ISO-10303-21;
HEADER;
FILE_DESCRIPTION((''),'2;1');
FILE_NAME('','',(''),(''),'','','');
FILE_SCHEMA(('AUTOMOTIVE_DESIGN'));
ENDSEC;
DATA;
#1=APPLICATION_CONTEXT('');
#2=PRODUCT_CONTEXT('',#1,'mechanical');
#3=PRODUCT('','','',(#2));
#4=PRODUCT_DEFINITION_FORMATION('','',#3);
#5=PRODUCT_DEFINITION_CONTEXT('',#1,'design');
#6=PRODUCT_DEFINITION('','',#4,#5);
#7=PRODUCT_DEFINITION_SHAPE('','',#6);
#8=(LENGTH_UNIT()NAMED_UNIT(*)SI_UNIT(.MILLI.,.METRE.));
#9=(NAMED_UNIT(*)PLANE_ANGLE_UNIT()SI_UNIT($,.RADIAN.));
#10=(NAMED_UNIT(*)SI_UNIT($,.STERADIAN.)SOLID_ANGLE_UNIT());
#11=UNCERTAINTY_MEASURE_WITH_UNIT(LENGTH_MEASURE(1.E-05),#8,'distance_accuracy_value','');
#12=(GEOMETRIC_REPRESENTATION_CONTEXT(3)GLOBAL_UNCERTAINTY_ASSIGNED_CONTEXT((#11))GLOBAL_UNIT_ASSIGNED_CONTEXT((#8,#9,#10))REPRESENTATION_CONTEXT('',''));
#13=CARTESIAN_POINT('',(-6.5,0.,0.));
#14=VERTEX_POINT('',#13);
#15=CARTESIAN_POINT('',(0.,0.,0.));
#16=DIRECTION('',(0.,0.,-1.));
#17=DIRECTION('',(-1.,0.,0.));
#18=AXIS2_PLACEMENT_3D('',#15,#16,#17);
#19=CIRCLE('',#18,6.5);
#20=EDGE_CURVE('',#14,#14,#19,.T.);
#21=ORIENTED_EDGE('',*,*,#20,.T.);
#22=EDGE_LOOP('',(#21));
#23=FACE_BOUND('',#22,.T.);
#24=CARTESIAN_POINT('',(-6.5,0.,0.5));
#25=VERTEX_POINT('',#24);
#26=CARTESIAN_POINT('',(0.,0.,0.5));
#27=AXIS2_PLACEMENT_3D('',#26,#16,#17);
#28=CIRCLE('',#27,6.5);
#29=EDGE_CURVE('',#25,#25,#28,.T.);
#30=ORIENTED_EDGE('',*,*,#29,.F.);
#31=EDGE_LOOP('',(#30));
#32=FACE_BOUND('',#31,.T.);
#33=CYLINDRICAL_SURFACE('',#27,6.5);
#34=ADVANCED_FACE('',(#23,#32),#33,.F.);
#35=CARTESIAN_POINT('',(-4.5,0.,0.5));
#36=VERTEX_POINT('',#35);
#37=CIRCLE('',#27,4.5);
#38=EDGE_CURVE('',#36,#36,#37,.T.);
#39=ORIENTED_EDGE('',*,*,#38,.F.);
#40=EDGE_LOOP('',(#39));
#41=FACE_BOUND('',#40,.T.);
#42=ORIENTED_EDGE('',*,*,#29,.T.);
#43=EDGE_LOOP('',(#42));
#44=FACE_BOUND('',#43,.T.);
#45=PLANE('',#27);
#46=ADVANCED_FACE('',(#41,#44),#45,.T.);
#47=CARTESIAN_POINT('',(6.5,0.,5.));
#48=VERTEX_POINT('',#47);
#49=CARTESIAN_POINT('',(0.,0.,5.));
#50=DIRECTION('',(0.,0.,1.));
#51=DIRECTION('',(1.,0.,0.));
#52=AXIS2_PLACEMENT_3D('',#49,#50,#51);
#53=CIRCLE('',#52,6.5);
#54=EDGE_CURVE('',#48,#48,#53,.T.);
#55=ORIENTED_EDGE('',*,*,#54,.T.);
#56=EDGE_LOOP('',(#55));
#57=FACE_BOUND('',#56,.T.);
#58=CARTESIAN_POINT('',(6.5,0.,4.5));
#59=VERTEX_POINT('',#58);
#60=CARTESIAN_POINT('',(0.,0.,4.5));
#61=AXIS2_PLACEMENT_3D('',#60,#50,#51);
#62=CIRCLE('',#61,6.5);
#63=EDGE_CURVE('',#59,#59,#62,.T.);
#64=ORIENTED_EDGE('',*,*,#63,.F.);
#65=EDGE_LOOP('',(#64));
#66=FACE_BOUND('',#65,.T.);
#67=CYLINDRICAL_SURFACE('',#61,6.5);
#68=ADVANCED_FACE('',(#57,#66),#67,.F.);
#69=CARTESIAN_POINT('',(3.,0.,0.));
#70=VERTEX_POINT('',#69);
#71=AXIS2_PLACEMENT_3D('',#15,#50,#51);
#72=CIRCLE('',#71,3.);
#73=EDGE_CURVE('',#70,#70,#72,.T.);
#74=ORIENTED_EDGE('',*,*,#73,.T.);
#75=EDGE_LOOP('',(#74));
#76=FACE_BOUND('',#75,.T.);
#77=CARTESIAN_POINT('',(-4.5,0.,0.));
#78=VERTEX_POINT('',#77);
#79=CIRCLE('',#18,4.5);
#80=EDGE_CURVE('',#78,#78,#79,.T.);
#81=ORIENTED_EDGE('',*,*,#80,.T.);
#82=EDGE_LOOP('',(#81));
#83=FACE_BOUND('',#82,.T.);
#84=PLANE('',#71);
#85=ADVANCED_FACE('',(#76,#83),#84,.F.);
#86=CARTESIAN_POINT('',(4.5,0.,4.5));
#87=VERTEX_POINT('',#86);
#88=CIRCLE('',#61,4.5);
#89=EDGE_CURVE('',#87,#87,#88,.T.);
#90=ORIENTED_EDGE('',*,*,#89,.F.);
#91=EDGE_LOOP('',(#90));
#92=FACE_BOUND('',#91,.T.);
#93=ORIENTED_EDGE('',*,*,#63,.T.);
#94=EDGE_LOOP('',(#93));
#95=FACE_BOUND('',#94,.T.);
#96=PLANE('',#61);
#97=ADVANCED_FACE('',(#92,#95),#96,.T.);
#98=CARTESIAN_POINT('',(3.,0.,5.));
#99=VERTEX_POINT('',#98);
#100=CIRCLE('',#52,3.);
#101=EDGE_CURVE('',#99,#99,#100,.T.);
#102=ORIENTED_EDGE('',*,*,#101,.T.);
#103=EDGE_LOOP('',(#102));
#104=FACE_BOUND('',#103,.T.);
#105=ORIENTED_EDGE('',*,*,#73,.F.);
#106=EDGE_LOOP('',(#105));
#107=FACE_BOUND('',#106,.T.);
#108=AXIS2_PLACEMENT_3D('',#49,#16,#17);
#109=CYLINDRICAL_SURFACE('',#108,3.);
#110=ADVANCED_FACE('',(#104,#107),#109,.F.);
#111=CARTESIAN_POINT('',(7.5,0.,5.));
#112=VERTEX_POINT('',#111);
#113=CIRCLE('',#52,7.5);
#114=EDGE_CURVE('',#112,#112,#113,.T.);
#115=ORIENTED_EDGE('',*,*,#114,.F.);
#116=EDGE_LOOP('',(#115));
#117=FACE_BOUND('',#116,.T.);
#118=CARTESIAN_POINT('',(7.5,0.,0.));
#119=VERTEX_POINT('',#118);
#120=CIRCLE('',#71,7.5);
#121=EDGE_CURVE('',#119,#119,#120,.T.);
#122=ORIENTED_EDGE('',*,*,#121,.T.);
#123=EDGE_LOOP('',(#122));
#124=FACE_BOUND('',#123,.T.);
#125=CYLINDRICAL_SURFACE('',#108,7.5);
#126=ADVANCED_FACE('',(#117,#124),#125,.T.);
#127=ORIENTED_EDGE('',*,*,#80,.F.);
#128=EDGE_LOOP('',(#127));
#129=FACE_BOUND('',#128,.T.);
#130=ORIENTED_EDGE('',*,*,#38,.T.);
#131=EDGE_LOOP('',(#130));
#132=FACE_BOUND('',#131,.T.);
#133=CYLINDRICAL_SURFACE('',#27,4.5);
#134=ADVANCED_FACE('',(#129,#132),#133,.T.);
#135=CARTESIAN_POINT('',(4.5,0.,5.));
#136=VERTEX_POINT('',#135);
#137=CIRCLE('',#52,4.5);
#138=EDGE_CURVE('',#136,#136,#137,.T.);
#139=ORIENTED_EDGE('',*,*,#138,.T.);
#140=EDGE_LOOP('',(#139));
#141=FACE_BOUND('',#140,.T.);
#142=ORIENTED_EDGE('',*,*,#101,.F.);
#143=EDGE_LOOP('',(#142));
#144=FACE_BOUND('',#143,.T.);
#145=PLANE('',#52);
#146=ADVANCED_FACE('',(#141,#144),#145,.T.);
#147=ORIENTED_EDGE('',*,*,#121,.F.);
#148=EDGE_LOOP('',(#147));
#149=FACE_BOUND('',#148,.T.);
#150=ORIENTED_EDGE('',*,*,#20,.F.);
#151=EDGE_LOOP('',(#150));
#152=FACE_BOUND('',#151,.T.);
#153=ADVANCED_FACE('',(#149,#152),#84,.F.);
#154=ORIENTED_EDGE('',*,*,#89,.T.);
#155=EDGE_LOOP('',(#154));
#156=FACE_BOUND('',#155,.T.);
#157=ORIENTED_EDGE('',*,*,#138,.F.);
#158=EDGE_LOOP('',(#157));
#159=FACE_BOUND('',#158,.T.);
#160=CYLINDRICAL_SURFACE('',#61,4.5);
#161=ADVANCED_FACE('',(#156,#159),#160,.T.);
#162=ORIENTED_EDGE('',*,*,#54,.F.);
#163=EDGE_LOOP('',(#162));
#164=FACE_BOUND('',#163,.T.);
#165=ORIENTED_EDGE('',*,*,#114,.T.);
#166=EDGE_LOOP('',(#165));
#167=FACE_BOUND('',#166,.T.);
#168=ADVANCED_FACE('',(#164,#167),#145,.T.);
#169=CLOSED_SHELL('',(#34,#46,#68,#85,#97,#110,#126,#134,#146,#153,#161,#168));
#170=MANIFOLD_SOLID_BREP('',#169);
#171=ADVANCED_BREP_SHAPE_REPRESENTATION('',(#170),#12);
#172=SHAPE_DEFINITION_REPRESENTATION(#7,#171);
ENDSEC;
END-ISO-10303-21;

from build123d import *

# Parameters (mm, degrees)
SKETCH_1_R          = 7.5
SKETCH_1_R_2        = 3
EXTRUDE_1_DEPTH     = 5
SKETCH_2_R          = 6.5
SKETCH_2_R_2        = 4.5
CUT_EXTRUDE_1_DEPTH = 0.5
CUT_EXTRUDE_START   = -0.5
SKETCH_3_R          = 6.5
SKETCH_3_R_2        = 4.5
CUT_EXTRUDE_2_DEPTH = 0.5


with BuildPart() as part:
    # 스케치1 → 보스-돌출1 (new body)
    with BuildSketch(Plane.XY):
        Circle(SKETCH_1_R)
        Circle(SKETCH_1_R_2, mode=Mode.SUBTRACT)
    extrude(amount=EXTRUDE_1_DEPTH)

    # 스케치2 → 컷-돌출1 (cut)
    with BuildSketch(Plane.XY.offset(5)):
        Circle(SKETCH_2_R)
        Circle(SKETCH_2_R_2, mode=Mode.SUBTRACT)
    extrude(amount=-CUT_EXTRUDE_1_DEPTH, mode=Mode.SUBTRACT)

    # 스케치3 → 컷-돌출2 (cut)
    with BuildSketch(Plane(origin=(0, 0, 0), x_dir=(-1, 0, 0), z_dir=(0, 0, -1)).offset(CUT_EXTRUDE_START)):
        with Locations(Location((0, 0, 0), (0, 0, 180))):
            Circle(SKETCH_3_R)
        with Locations(Location((0, 0, 0), (0, 0, 180))):
            Circle(SKETCH_3_R_2, mode=Mode.SUBTRACT)
    extrude(amount=CUT_EXTRUDE_2_DEPTH, mode=Mode.SUBTRACT)


solid = part.part
